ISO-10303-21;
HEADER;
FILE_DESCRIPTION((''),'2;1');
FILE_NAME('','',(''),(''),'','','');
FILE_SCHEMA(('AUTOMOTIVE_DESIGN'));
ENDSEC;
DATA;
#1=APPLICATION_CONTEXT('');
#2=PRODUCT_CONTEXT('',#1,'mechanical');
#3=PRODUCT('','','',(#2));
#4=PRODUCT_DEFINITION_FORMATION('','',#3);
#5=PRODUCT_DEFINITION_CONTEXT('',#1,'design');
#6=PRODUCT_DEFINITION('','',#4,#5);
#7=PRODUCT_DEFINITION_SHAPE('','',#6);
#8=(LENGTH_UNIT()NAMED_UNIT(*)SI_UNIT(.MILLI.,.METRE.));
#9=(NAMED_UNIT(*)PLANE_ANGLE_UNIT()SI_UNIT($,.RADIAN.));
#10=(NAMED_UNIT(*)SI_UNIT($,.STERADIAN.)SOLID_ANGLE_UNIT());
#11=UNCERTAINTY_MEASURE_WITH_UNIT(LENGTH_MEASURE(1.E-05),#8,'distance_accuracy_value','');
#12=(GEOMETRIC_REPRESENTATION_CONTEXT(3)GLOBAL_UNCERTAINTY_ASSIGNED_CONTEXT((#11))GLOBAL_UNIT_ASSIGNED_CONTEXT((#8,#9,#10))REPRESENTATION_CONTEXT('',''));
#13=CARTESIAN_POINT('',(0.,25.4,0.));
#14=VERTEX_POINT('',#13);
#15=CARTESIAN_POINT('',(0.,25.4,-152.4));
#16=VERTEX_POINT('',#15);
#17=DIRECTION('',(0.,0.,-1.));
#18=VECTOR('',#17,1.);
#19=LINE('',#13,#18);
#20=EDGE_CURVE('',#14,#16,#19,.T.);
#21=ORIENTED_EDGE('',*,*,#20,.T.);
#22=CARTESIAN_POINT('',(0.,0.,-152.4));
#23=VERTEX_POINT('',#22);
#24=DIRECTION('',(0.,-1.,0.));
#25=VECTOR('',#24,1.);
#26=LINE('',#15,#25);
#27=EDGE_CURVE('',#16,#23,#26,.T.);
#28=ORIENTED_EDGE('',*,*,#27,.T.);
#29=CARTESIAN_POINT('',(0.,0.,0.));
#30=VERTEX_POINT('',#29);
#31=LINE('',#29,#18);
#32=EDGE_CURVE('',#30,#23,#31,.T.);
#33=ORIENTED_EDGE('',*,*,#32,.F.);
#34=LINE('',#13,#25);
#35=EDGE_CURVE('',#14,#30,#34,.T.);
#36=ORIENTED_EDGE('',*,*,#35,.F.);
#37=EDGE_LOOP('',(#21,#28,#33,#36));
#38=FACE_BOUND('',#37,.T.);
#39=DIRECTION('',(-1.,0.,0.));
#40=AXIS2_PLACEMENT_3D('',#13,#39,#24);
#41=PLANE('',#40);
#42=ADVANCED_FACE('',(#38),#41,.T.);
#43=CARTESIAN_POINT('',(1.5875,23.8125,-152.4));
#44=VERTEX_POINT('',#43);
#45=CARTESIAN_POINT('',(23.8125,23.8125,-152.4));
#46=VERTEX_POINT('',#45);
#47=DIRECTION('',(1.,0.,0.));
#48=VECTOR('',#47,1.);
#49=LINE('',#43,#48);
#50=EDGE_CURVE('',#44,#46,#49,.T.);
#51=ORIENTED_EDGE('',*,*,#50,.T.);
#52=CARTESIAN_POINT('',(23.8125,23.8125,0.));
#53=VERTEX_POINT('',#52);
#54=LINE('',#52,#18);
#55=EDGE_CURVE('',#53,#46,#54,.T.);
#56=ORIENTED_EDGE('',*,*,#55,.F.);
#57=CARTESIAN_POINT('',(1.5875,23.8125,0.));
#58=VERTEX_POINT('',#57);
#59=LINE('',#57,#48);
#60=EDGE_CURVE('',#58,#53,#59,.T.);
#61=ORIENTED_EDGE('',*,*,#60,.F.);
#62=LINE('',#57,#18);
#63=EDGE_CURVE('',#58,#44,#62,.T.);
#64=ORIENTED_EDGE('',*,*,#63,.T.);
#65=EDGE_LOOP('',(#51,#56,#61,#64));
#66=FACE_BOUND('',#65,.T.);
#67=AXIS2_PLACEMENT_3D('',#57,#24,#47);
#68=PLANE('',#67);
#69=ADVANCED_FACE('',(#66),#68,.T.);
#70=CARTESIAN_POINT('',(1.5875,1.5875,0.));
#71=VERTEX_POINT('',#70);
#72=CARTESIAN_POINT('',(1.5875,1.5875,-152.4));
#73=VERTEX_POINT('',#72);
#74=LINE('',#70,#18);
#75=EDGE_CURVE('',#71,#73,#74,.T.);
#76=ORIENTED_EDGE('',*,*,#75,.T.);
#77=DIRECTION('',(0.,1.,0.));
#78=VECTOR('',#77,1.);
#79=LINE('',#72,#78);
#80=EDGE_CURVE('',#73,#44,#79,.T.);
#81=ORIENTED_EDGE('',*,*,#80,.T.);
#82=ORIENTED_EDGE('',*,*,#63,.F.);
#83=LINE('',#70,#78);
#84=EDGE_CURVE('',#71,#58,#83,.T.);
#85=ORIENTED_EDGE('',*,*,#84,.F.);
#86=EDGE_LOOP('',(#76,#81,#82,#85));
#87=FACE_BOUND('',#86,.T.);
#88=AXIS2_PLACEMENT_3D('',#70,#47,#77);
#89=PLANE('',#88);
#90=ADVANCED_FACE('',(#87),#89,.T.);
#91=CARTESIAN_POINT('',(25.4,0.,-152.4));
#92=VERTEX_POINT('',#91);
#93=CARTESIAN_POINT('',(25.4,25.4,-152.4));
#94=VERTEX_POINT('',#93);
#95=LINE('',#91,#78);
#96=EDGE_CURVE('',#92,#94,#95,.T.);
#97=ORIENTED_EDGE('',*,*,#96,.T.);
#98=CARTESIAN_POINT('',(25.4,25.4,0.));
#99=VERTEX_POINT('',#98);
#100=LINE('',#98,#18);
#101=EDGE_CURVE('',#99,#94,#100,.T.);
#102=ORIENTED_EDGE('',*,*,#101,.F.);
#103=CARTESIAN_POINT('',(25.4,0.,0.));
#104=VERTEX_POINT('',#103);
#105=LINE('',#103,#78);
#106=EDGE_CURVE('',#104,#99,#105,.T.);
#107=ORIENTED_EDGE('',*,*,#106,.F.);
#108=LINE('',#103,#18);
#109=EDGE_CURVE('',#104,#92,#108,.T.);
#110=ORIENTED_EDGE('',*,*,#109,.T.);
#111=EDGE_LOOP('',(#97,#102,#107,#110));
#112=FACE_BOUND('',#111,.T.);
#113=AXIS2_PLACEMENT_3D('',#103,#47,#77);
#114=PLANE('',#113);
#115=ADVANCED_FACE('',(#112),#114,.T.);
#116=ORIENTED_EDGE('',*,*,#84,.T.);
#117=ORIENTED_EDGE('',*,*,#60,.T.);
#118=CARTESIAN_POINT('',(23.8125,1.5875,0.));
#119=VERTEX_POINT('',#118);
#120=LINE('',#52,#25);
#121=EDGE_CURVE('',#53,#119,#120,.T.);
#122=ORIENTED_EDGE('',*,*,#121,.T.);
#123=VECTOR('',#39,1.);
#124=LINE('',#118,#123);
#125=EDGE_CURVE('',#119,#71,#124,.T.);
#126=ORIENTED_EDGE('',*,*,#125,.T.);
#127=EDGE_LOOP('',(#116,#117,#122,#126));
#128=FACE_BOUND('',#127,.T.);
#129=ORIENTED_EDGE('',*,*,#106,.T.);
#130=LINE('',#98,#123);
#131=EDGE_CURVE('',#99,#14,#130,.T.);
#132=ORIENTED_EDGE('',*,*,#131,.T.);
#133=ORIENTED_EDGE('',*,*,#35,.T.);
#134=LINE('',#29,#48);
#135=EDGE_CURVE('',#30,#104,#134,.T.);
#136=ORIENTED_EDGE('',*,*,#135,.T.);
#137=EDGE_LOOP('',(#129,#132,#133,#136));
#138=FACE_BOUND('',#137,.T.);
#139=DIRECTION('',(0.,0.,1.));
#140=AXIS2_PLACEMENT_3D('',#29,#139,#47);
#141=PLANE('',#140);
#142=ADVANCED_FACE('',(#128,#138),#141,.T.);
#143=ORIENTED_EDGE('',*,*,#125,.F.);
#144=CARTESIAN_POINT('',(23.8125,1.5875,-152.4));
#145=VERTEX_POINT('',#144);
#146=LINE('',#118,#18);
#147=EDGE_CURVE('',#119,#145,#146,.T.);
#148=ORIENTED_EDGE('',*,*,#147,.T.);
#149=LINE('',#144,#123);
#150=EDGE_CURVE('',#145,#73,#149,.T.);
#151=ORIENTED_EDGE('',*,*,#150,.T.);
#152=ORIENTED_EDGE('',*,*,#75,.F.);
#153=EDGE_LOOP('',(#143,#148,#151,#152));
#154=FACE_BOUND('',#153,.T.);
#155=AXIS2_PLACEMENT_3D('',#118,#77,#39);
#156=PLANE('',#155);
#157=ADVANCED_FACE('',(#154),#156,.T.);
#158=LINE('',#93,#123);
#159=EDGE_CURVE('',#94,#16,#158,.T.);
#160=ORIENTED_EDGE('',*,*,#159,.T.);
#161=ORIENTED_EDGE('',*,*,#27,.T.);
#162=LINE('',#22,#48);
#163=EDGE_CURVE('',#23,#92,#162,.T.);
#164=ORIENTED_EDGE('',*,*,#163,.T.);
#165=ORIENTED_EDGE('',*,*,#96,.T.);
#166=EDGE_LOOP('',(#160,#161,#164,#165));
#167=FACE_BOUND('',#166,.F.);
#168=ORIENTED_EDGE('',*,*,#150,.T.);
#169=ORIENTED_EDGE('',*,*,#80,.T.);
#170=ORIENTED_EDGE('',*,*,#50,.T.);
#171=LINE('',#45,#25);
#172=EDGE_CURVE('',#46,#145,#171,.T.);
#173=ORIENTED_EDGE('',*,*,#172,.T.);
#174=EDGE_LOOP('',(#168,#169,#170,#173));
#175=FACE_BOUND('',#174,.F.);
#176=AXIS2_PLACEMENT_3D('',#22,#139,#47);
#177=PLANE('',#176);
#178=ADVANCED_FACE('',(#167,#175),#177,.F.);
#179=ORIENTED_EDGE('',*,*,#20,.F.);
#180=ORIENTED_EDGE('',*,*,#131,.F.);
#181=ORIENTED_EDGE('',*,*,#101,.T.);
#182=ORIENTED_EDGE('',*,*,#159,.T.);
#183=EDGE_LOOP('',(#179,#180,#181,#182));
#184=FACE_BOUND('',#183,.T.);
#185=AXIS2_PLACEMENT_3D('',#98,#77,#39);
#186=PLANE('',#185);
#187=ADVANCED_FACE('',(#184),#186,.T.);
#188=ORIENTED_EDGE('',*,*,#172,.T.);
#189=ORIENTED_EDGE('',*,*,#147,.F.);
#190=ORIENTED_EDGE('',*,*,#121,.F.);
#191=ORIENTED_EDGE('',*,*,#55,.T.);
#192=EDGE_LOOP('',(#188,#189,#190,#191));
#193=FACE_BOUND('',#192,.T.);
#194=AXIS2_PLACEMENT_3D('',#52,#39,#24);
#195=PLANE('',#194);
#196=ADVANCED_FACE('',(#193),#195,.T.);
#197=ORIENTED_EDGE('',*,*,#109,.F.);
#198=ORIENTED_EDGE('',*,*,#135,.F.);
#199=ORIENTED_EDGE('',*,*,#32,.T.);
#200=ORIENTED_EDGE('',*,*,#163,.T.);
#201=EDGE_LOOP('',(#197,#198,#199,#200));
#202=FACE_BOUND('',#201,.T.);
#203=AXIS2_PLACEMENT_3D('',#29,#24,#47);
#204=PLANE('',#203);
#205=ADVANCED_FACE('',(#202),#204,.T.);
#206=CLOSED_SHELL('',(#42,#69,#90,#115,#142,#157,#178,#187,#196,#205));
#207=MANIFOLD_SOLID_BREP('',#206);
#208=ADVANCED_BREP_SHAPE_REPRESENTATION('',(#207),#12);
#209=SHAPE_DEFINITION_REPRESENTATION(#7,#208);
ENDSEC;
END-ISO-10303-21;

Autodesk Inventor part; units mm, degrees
ref_plane "YZ Plane" through (0, 0, 0) normal (1, 0, 0) x (0, 1, 0)
ref_plane "XZ Plane" through (0, 0, 0) normal (0, 1, 0) x (-1, 0, 0)
ref_plane "XY Plane" through (0, 0, 0) normal (0, 0, 1) x (1, 0, 0)
sketch "Sketch1" plane through (0, 0, 0) normal (0, 0, 1) x (1, 0, 0)
  line L0 (0, 0) -> (25.4, 0)
  line L1 (25.4, 0) -> (25.4, 25.4)
  line L2 (25.4, 25.4) -> (0, 25.4)
  line L3 (0, 25.4) -> (0, 0)
  line L4 (1.5875, 23.8125) -> (23.8125, 23.8125)
  line L5 (23.8125, 23.8125) -> (23.8125, 1.5875)
  line L6 (23.8125, 1.5875) -> (1.5875, 1.5875)
  line L7 (1.5875, 1.5875) -> (1.5875, 23.8125)
  dimension "d0" = 25.4
  dimension "d1" = 25.4
  dimension "d2" = 1.5875
extrude "Extrusion1" add sketch "Sketch1" against normal blind 152.4
properties part number "1tube_6_layer1_boardsupportsupport"
